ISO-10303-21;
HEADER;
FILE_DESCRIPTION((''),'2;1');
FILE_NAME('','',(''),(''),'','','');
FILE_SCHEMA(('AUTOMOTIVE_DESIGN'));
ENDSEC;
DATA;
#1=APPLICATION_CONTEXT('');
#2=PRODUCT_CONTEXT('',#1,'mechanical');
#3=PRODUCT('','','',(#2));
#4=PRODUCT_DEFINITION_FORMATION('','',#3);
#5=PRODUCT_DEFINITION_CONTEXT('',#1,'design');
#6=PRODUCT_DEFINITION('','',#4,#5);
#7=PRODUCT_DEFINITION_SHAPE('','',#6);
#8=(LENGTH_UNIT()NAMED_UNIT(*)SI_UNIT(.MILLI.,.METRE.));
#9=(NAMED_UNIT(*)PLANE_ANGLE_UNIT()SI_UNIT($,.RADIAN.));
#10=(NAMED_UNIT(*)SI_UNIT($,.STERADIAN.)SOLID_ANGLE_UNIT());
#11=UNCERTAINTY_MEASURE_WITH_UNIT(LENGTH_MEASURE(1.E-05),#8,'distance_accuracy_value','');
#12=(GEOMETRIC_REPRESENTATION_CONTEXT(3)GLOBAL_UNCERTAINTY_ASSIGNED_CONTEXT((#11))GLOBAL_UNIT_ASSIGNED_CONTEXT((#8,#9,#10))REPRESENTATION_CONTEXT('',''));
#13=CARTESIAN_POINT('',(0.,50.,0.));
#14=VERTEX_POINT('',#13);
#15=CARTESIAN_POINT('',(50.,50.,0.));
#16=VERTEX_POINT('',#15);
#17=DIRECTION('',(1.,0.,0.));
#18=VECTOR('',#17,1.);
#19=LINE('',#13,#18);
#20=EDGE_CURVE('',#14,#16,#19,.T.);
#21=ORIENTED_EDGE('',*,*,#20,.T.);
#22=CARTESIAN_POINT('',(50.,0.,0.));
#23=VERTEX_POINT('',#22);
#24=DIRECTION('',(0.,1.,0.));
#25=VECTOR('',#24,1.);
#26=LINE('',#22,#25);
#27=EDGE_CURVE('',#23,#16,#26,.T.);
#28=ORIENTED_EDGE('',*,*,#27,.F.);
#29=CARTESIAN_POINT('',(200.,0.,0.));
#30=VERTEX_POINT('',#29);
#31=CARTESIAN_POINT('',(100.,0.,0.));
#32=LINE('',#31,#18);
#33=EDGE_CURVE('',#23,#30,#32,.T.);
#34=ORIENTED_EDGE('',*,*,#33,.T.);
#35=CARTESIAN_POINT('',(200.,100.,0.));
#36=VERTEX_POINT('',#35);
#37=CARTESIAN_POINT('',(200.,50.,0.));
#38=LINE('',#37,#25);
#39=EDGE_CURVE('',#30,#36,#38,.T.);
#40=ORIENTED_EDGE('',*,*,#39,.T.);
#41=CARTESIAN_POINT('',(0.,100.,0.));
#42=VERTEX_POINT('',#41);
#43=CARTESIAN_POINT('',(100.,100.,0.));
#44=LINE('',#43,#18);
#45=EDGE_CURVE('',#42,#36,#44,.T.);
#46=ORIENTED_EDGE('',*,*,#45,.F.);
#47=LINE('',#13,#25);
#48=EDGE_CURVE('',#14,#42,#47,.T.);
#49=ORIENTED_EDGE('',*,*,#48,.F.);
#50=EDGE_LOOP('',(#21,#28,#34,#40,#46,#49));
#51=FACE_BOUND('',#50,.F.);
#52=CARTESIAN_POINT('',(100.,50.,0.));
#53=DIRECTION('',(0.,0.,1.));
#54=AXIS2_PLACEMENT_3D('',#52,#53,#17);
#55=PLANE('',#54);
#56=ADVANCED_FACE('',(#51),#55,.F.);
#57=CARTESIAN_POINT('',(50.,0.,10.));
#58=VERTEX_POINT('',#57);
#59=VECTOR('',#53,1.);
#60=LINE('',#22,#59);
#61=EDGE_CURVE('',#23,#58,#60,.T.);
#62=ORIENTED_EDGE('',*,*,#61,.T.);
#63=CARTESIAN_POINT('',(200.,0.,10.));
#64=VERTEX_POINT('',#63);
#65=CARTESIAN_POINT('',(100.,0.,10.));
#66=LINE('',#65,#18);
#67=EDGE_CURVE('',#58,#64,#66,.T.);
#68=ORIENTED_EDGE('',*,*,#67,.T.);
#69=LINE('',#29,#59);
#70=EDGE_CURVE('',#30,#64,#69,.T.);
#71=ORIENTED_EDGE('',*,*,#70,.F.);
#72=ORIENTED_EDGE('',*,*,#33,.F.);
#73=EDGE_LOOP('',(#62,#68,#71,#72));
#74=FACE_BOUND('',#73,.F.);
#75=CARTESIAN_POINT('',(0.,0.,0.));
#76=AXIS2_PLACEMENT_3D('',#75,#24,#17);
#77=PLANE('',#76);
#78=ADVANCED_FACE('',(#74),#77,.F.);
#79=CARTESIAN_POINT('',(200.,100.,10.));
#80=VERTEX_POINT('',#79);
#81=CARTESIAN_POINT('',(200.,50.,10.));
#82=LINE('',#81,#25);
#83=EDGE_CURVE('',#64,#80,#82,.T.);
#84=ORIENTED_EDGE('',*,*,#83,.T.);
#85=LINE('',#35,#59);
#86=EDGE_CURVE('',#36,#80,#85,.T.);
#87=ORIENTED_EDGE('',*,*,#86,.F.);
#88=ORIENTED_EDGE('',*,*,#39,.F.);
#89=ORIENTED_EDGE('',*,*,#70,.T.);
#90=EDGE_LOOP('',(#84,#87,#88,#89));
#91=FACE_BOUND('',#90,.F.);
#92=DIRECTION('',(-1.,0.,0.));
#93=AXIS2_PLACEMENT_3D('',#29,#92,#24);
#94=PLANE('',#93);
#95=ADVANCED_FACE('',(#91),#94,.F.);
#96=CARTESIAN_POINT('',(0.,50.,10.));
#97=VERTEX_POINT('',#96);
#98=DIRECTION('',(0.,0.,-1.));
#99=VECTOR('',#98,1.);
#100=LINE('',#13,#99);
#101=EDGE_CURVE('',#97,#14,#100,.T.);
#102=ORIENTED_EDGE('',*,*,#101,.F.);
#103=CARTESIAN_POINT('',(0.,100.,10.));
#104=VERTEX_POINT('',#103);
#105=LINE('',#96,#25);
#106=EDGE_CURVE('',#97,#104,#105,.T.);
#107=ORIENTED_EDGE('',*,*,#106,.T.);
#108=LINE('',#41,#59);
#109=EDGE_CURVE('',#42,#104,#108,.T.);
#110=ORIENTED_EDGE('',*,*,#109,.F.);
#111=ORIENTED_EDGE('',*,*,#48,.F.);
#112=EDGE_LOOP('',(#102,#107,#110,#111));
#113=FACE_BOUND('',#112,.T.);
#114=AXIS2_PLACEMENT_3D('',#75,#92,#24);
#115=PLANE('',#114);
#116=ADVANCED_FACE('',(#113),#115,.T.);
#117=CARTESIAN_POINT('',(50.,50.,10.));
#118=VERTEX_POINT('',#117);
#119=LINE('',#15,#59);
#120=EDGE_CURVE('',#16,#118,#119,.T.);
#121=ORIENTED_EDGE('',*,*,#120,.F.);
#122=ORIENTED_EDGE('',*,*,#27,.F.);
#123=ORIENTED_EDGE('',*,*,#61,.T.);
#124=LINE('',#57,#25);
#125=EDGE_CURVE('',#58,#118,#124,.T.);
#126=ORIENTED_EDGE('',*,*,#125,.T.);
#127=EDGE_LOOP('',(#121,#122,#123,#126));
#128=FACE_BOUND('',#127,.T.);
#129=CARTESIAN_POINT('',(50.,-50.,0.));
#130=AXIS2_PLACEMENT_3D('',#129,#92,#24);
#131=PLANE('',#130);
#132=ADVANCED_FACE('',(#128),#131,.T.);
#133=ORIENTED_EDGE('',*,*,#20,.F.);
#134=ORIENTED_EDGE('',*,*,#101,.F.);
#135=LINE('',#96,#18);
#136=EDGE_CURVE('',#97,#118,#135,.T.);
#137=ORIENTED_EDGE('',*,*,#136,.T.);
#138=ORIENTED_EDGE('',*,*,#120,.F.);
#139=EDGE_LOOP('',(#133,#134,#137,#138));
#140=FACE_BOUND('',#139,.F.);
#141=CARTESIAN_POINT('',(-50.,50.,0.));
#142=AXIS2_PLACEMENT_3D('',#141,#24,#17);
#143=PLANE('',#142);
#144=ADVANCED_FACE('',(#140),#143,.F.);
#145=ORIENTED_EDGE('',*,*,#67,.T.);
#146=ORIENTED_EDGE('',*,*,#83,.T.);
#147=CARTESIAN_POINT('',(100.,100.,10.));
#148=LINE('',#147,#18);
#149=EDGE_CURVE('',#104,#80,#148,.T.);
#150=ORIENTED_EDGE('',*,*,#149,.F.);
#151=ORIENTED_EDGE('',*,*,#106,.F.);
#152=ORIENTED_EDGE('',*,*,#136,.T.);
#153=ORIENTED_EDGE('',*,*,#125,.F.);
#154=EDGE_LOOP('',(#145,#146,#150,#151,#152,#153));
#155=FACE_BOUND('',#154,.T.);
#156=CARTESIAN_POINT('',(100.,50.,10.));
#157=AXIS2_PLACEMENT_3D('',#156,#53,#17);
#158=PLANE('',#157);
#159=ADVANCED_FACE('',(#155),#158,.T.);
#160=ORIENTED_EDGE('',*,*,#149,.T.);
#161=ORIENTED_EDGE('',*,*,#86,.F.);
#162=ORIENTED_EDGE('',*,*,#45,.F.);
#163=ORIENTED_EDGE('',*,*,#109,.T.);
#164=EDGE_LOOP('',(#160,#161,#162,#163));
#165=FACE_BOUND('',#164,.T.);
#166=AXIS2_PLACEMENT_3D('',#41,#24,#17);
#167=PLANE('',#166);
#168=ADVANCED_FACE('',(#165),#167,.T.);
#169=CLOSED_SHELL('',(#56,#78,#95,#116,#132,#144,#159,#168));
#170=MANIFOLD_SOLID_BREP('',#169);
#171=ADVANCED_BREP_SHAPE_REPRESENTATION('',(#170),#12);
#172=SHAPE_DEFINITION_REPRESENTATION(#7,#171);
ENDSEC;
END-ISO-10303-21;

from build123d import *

# Parameters (mm, degrees)
BOX001_W     = 100
BOX001_H     = 100
BOX001_DEPTH = 10
BOX_W        = 200
BOX_H        = 100
BOX_DEPTH    = 10


with BuildPart() as cube001:
    # Box001 → Box001 (new body)
    with BuildSketch(Plane(origin=(-50, -50, 0), x_dir=(1, 0, 0), z_dir=(0, 0, 1))):
        with Locations((50, 50)):
            Rectangle(BOX001_W, BOX001_H)
    extrude(amount=BOX001_DEPTH)


with BuildPart() as cut:
    # Box → Box (new body)
    with BuildSketch(Plane.XY):
        with Locations((100, 50)):
            Rectangle(BOX_W, BOX_H)
    extrude(amount=BOX_DEPTH)

    # Cut: cut Cube001
    add(cube001.part, mode=Mode.SUBTRACT)


solid = cut.part
